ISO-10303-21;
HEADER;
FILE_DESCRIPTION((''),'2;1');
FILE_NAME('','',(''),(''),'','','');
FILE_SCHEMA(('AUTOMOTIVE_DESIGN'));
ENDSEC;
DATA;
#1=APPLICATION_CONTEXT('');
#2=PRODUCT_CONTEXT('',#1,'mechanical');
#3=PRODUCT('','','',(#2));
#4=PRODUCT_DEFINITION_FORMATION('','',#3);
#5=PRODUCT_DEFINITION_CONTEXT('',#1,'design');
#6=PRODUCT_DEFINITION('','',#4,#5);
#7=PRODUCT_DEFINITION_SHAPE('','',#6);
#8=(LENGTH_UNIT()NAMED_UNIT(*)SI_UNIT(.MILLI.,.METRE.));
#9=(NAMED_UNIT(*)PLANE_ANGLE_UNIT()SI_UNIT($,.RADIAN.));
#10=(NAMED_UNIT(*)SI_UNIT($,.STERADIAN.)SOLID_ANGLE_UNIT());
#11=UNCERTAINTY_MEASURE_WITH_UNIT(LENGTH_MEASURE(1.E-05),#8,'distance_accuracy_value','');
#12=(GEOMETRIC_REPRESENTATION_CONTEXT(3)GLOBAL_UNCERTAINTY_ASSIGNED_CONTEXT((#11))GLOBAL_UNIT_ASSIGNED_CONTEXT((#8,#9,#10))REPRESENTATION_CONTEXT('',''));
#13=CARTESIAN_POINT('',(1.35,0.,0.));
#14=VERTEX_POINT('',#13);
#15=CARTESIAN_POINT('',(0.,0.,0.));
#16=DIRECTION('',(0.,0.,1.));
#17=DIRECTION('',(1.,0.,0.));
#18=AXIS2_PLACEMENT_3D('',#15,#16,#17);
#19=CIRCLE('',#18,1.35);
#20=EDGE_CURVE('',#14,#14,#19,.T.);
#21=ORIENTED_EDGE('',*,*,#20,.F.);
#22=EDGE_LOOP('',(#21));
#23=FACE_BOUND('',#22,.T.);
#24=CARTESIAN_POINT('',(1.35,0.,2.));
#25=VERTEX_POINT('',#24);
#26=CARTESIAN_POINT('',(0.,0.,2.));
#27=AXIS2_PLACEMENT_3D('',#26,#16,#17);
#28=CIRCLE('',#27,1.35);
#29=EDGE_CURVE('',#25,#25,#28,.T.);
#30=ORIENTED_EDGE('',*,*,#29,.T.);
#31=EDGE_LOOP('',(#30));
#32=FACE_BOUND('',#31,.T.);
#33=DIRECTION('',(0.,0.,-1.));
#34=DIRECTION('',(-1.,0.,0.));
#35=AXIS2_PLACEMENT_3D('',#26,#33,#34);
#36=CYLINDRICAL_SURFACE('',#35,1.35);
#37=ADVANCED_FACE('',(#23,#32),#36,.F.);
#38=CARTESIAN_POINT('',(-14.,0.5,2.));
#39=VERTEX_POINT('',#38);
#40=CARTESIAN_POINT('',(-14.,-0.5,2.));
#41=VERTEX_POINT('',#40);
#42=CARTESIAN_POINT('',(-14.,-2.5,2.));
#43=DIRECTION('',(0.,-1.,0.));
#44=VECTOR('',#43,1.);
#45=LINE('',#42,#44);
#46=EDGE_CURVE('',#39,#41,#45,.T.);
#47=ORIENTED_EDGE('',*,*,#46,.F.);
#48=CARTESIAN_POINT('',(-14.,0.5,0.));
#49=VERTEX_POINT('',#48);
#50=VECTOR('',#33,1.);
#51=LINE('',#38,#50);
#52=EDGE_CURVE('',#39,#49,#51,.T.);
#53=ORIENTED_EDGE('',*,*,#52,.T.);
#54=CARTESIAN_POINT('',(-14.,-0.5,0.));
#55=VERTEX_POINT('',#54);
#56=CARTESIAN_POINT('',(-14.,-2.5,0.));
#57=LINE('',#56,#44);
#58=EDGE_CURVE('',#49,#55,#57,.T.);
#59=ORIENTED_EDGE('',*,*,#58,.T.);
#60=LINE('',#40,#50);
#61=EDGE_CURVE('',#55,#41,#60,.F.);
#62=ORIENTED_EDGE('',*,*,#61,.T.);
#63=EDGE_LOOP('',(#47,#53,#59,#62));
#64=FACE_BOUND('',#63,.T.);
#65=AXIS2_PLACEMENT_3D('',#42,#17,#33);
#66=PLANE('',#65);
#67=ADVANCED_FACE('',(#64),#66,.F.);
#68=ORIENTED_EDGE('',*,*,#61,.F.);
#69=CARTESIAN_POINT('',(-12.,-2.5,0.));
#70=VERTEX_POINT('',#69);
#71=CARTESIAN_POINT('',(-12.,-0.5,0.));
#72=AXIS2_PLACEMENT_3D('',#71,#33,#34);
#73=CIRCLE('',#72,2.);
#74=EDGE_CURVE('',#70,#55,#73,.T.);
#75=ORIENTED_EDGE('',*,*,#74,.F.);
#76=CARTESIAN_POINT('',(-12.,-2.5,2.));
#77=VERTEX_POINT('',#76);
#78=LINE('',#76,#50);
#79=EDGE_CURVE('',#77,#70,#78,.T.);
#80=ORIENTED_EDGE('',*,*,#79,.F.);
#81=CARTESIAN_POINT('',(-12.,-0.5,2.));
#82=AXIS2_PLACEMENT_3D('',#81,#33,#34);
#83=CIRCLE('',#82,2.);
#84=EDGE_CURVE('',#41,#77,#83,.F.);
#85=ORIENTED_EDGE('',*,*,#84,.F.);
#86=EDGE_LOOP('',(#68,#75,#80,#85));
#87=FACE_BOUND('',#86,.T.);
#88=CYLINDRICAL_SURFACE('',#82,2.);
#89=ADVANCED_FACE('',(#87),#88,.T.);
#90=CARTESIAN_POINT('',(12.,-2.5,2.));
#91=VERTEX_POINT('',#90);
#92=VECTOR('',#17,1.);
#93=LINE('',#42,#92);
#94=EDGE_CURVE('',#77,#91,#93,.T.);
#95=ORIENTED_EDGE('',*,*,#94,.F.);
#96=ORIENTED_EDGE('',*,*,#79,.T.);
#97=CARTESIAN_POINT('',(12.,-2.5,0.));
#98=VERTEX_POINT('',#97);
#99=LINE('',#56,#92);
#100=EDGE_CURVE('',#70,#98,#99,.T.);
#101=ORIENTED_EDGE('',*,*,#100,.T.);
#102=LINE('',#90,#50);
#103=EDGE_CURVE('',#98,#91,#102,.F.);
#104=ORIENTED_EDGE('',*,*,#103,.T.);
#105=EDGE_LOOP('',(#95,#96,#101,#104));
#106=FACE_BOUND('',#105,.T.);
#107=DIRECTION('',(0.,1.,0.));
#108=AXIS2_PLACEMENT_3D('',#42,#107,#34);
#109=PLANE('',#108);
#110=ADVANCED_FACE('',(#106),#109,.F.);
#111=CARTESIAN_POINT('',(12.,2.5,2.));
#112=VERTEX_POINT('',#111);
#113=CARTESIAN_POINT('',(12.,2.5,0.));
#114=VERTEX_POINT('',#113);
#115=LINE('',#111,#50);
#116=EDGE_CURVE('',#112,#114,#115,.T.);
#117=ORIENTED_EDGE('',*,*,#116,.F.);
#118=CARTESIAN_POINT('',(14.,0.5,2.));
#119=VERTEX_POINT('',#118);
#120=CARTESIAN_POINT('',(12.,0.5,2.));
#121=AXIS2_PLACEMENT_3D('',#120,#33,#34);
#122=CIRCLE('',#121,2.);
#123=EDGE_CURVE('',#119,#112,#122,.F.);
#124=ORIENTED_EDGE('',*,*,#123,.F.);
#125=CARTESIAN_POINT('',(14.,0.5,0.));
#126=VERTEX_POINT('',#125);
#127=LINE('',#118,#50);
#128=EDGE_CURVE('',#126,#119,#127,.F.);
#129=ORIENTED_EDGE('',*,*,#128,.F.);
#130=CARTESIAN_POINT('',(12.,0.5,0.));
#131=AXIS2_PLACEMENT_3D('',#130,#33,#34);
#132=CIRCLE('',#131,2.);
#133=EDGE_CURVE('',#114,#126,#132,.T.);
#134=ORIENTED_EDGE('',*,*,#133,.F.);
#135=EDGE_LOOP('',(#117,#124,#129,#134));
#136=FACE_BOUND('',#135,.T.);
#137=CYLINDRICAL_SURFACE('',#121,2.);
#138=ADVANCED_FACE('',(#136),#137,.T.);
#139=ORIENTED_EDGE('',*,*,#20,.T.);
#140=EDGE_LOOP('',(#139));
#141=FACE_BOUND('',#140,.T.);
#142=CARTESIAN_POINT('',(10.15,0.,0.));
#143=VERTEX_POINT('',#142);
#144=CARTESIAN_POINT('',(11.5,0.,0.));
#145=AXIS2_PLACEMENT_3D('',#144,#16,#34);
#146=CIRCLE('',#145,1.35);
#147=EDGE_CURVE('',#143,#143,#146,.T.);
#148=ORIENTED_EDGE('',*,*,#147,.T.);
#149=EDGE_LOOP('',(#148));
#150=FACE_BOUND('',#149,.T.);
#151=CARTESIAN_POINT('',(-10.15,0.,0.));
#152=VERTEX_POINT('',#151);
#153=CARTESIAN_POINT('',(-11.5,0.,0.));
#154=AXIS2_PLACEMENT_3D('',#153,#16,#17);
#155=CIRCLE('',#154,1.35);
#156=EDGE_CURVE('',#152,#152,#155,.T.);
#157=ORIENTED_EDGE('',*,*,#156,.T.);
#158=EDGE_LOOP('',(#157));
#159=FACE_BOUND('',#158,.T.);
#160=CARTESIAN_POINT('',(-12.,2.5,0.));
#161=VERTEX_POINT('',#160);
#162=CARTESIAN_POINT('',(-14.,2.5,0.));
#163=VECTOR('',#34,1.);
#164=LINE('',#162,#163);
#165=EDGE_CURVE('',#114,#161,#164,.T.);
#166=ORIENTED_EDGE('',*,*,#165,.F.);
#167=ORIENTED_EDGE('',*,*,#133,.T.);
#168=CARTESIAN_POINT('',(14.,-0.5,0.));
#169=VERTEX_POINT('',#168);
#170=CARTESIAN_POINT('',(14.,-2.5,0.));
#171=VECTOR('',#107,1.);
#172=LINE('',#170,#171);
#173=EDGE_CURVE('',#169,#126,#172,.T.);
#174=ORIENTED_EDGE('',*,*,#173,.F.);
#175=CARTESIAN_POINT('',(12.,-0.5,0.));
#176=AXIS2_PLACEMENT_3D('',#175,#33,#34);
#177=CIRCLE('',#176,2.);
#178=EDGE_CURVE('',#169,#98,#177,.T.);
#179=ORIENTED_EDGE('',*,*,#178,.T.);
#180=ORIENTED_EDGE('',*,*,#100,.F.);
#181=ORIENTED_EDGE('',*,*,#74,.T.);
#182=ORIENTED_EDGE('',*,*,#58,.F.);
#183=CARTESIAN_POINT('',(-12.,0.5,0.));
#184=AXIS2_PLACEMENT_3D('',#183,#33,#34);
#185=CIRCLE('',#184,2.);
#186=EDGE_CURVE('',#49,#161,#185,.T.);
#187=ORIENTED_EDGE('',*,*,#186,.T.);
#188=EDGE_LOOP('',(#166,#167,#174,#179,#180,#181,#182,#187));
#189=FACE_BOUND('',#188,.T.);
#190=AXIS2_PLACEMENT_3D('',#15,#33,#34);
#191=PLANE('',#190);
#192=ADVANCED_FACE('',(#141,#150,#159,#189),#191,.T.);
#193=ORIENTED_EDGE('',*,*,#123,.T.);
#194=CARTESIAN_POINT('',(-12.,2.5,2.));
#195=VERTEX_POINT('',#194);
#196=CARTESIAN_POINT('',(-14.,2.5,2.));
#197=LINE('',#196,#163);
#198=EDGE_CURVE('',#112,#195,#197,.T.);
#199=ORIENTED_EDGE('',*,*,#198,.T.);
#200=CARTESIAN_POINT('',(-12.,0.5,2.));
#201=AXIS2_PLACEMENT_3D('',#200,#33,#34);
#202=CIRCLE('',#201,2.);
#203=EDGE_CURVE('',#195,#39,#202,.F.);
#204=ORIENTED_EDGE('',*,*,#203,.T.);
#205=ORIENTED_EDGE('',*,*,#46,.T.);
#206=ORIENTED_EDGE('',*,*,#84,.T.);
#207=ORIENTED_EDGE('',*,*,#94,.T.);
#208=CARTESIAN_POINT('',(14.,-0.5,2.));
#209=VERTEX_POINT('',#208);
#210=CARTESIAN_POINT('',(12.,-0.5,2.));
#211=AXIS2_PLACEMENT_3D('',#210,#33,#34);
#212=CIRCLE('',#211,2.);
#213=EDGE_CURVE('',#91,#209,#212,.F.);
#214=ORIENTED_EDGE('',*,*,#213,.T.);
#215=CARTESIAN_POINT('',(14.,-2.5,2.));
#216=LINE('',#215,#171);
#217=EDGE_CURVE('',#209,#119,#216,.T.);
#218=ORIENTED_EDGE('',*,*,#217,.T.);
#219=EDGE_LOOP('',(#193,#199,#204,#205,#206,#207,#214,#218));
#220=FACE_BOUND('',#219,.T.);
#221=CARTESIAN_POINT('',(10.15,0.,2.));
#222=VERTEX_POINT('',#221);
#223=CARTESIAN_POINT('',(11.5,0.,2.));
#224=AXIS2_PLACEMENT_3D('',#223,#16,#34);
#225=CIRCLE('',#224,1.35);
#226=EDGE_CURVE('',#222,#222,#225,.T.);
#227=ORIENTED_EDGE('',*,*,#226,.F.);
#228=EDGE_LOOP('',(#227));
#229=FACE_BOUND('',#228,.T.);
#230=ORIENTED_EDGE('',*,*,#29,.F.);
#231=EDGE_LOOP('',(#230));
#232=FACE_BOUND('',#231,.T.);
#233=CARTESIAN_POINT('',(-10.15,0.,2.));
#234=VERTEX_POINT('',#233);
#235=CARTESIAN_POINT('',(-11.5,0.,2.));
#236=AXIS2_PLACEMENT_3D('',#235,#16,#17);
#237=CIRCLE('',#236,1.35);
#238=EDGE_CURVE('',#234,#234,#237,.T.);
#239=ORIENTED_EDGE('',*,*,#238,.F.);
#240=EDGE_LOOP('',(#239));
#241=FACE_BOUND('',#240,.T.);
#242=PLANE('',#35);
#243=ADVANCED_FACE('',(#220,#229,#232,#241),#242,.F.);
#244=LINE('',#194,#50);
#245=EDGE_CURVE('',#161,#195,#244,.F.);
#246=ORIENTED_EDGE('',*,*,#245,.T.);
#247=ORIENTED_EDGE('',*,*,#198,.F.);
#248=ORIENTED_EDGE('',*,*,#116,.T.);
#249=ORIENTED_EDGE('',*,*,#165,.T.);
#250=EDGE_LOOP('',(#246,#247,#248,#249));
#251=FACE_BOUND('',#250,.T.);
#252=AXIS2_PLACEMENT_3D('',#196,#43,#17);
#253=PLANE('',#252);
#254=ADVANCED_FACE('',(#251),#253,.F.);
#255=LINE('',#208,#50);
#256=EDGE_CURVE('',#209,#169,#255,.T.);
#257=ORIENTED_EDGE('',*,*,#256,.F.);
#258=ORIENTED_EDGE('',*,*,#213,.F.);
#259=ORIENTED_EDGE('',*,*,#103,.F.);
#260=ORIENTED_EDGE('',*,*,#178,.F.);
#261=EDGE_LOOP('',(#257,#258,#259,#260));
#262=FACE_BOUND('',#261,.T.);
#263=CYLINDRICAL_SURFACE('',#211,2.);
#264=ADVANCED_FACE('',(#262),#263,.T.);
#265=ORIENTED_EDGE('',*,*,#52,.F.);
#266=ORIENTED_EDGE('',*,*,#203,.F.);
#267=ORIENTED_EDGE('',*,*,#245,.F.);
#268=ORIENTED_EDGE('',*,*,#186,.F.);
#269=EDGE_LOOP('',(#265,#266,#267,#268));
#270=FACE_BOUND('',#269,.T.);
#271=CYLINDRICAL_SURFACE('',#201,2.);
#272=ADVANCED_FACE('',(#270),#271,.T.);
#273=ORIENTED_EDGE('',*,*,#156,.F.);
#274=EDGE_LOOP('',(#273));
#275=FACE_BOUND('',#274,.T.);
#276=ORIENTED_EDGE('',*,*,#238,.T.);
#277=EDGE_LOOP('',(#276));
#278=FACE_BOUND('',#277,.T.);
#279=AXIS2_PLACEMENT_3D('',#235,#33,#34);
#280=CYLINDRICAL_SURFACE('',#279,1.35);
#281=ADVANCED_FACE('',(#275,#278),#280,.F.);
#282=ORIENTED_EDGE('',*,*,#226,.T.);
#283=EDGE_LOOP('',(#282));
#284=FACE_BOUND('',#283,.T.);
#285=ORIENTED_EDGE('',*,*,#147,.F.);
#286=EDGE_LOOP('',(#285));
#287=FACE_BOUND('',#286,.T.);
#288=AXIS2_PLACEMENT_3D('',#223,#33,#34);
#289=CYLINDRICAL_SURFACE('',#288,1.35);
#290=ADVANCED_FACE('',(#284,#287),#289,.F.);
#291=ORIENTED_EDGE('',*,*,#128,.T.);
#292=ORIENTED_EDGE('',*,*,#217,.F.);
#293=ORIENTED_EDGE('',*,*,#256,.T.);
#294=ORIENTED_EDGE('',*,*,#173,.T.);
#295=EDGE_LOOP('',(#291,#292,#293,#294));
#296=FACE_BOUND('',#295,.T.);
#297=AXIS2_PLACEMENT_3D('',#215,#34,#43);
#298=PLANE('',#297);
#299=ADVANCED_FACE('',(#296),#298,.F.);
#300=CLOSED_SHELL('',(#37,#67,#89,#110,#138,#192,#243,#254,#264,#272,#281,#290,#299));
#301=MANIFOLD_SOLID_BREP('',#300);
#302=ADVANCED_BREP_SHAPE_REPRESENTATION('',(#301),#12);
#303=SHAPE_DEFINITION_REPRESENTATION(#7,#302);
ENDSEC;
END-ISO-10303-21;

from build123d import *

# Parameters (mm, degrees)
SKETCH_1_W      = 28
SKETCH_1_H      = 5
SKETCH_1_R      = 1.35
EXTRUDE_1_DEPTH = 2
FILLET_1_R      = 2


with BuildPart() as part:
    # 草图1 → 凸台-拉伸1 (new body)
    with BuildSketch(Plane.XY):
        Rectangle(SKETCH_1_W, SKETCH_1_H)
        with Locations((-11.5, 0)):
            Circle(SKETCH_1_R, mode=Mode.SUBTRACT)
        with Locations(Location((11.5, 0, 0), (0, 0, 180))):
            Circle(SKETCH_1_R, mode=Mode.SUBTRACT)
        Circle(SKETCH_1_R, mode=Mode.SUBTRACT)
    extrude(amount=EXTRUDE_1_DEPTH)

    # 圆角1
    fillet_1_edges = [part.edges().sort_by_distance(p)[0] for p in [
        (14, -2.5, 1),
        (-14, -2.5, 1),
        (-14, 2.5, 1),
        (14, 2.5, 1),
    ]]
    fillet(fillet_1_edges, radius=FILLET_1_R)


solid = part.part
